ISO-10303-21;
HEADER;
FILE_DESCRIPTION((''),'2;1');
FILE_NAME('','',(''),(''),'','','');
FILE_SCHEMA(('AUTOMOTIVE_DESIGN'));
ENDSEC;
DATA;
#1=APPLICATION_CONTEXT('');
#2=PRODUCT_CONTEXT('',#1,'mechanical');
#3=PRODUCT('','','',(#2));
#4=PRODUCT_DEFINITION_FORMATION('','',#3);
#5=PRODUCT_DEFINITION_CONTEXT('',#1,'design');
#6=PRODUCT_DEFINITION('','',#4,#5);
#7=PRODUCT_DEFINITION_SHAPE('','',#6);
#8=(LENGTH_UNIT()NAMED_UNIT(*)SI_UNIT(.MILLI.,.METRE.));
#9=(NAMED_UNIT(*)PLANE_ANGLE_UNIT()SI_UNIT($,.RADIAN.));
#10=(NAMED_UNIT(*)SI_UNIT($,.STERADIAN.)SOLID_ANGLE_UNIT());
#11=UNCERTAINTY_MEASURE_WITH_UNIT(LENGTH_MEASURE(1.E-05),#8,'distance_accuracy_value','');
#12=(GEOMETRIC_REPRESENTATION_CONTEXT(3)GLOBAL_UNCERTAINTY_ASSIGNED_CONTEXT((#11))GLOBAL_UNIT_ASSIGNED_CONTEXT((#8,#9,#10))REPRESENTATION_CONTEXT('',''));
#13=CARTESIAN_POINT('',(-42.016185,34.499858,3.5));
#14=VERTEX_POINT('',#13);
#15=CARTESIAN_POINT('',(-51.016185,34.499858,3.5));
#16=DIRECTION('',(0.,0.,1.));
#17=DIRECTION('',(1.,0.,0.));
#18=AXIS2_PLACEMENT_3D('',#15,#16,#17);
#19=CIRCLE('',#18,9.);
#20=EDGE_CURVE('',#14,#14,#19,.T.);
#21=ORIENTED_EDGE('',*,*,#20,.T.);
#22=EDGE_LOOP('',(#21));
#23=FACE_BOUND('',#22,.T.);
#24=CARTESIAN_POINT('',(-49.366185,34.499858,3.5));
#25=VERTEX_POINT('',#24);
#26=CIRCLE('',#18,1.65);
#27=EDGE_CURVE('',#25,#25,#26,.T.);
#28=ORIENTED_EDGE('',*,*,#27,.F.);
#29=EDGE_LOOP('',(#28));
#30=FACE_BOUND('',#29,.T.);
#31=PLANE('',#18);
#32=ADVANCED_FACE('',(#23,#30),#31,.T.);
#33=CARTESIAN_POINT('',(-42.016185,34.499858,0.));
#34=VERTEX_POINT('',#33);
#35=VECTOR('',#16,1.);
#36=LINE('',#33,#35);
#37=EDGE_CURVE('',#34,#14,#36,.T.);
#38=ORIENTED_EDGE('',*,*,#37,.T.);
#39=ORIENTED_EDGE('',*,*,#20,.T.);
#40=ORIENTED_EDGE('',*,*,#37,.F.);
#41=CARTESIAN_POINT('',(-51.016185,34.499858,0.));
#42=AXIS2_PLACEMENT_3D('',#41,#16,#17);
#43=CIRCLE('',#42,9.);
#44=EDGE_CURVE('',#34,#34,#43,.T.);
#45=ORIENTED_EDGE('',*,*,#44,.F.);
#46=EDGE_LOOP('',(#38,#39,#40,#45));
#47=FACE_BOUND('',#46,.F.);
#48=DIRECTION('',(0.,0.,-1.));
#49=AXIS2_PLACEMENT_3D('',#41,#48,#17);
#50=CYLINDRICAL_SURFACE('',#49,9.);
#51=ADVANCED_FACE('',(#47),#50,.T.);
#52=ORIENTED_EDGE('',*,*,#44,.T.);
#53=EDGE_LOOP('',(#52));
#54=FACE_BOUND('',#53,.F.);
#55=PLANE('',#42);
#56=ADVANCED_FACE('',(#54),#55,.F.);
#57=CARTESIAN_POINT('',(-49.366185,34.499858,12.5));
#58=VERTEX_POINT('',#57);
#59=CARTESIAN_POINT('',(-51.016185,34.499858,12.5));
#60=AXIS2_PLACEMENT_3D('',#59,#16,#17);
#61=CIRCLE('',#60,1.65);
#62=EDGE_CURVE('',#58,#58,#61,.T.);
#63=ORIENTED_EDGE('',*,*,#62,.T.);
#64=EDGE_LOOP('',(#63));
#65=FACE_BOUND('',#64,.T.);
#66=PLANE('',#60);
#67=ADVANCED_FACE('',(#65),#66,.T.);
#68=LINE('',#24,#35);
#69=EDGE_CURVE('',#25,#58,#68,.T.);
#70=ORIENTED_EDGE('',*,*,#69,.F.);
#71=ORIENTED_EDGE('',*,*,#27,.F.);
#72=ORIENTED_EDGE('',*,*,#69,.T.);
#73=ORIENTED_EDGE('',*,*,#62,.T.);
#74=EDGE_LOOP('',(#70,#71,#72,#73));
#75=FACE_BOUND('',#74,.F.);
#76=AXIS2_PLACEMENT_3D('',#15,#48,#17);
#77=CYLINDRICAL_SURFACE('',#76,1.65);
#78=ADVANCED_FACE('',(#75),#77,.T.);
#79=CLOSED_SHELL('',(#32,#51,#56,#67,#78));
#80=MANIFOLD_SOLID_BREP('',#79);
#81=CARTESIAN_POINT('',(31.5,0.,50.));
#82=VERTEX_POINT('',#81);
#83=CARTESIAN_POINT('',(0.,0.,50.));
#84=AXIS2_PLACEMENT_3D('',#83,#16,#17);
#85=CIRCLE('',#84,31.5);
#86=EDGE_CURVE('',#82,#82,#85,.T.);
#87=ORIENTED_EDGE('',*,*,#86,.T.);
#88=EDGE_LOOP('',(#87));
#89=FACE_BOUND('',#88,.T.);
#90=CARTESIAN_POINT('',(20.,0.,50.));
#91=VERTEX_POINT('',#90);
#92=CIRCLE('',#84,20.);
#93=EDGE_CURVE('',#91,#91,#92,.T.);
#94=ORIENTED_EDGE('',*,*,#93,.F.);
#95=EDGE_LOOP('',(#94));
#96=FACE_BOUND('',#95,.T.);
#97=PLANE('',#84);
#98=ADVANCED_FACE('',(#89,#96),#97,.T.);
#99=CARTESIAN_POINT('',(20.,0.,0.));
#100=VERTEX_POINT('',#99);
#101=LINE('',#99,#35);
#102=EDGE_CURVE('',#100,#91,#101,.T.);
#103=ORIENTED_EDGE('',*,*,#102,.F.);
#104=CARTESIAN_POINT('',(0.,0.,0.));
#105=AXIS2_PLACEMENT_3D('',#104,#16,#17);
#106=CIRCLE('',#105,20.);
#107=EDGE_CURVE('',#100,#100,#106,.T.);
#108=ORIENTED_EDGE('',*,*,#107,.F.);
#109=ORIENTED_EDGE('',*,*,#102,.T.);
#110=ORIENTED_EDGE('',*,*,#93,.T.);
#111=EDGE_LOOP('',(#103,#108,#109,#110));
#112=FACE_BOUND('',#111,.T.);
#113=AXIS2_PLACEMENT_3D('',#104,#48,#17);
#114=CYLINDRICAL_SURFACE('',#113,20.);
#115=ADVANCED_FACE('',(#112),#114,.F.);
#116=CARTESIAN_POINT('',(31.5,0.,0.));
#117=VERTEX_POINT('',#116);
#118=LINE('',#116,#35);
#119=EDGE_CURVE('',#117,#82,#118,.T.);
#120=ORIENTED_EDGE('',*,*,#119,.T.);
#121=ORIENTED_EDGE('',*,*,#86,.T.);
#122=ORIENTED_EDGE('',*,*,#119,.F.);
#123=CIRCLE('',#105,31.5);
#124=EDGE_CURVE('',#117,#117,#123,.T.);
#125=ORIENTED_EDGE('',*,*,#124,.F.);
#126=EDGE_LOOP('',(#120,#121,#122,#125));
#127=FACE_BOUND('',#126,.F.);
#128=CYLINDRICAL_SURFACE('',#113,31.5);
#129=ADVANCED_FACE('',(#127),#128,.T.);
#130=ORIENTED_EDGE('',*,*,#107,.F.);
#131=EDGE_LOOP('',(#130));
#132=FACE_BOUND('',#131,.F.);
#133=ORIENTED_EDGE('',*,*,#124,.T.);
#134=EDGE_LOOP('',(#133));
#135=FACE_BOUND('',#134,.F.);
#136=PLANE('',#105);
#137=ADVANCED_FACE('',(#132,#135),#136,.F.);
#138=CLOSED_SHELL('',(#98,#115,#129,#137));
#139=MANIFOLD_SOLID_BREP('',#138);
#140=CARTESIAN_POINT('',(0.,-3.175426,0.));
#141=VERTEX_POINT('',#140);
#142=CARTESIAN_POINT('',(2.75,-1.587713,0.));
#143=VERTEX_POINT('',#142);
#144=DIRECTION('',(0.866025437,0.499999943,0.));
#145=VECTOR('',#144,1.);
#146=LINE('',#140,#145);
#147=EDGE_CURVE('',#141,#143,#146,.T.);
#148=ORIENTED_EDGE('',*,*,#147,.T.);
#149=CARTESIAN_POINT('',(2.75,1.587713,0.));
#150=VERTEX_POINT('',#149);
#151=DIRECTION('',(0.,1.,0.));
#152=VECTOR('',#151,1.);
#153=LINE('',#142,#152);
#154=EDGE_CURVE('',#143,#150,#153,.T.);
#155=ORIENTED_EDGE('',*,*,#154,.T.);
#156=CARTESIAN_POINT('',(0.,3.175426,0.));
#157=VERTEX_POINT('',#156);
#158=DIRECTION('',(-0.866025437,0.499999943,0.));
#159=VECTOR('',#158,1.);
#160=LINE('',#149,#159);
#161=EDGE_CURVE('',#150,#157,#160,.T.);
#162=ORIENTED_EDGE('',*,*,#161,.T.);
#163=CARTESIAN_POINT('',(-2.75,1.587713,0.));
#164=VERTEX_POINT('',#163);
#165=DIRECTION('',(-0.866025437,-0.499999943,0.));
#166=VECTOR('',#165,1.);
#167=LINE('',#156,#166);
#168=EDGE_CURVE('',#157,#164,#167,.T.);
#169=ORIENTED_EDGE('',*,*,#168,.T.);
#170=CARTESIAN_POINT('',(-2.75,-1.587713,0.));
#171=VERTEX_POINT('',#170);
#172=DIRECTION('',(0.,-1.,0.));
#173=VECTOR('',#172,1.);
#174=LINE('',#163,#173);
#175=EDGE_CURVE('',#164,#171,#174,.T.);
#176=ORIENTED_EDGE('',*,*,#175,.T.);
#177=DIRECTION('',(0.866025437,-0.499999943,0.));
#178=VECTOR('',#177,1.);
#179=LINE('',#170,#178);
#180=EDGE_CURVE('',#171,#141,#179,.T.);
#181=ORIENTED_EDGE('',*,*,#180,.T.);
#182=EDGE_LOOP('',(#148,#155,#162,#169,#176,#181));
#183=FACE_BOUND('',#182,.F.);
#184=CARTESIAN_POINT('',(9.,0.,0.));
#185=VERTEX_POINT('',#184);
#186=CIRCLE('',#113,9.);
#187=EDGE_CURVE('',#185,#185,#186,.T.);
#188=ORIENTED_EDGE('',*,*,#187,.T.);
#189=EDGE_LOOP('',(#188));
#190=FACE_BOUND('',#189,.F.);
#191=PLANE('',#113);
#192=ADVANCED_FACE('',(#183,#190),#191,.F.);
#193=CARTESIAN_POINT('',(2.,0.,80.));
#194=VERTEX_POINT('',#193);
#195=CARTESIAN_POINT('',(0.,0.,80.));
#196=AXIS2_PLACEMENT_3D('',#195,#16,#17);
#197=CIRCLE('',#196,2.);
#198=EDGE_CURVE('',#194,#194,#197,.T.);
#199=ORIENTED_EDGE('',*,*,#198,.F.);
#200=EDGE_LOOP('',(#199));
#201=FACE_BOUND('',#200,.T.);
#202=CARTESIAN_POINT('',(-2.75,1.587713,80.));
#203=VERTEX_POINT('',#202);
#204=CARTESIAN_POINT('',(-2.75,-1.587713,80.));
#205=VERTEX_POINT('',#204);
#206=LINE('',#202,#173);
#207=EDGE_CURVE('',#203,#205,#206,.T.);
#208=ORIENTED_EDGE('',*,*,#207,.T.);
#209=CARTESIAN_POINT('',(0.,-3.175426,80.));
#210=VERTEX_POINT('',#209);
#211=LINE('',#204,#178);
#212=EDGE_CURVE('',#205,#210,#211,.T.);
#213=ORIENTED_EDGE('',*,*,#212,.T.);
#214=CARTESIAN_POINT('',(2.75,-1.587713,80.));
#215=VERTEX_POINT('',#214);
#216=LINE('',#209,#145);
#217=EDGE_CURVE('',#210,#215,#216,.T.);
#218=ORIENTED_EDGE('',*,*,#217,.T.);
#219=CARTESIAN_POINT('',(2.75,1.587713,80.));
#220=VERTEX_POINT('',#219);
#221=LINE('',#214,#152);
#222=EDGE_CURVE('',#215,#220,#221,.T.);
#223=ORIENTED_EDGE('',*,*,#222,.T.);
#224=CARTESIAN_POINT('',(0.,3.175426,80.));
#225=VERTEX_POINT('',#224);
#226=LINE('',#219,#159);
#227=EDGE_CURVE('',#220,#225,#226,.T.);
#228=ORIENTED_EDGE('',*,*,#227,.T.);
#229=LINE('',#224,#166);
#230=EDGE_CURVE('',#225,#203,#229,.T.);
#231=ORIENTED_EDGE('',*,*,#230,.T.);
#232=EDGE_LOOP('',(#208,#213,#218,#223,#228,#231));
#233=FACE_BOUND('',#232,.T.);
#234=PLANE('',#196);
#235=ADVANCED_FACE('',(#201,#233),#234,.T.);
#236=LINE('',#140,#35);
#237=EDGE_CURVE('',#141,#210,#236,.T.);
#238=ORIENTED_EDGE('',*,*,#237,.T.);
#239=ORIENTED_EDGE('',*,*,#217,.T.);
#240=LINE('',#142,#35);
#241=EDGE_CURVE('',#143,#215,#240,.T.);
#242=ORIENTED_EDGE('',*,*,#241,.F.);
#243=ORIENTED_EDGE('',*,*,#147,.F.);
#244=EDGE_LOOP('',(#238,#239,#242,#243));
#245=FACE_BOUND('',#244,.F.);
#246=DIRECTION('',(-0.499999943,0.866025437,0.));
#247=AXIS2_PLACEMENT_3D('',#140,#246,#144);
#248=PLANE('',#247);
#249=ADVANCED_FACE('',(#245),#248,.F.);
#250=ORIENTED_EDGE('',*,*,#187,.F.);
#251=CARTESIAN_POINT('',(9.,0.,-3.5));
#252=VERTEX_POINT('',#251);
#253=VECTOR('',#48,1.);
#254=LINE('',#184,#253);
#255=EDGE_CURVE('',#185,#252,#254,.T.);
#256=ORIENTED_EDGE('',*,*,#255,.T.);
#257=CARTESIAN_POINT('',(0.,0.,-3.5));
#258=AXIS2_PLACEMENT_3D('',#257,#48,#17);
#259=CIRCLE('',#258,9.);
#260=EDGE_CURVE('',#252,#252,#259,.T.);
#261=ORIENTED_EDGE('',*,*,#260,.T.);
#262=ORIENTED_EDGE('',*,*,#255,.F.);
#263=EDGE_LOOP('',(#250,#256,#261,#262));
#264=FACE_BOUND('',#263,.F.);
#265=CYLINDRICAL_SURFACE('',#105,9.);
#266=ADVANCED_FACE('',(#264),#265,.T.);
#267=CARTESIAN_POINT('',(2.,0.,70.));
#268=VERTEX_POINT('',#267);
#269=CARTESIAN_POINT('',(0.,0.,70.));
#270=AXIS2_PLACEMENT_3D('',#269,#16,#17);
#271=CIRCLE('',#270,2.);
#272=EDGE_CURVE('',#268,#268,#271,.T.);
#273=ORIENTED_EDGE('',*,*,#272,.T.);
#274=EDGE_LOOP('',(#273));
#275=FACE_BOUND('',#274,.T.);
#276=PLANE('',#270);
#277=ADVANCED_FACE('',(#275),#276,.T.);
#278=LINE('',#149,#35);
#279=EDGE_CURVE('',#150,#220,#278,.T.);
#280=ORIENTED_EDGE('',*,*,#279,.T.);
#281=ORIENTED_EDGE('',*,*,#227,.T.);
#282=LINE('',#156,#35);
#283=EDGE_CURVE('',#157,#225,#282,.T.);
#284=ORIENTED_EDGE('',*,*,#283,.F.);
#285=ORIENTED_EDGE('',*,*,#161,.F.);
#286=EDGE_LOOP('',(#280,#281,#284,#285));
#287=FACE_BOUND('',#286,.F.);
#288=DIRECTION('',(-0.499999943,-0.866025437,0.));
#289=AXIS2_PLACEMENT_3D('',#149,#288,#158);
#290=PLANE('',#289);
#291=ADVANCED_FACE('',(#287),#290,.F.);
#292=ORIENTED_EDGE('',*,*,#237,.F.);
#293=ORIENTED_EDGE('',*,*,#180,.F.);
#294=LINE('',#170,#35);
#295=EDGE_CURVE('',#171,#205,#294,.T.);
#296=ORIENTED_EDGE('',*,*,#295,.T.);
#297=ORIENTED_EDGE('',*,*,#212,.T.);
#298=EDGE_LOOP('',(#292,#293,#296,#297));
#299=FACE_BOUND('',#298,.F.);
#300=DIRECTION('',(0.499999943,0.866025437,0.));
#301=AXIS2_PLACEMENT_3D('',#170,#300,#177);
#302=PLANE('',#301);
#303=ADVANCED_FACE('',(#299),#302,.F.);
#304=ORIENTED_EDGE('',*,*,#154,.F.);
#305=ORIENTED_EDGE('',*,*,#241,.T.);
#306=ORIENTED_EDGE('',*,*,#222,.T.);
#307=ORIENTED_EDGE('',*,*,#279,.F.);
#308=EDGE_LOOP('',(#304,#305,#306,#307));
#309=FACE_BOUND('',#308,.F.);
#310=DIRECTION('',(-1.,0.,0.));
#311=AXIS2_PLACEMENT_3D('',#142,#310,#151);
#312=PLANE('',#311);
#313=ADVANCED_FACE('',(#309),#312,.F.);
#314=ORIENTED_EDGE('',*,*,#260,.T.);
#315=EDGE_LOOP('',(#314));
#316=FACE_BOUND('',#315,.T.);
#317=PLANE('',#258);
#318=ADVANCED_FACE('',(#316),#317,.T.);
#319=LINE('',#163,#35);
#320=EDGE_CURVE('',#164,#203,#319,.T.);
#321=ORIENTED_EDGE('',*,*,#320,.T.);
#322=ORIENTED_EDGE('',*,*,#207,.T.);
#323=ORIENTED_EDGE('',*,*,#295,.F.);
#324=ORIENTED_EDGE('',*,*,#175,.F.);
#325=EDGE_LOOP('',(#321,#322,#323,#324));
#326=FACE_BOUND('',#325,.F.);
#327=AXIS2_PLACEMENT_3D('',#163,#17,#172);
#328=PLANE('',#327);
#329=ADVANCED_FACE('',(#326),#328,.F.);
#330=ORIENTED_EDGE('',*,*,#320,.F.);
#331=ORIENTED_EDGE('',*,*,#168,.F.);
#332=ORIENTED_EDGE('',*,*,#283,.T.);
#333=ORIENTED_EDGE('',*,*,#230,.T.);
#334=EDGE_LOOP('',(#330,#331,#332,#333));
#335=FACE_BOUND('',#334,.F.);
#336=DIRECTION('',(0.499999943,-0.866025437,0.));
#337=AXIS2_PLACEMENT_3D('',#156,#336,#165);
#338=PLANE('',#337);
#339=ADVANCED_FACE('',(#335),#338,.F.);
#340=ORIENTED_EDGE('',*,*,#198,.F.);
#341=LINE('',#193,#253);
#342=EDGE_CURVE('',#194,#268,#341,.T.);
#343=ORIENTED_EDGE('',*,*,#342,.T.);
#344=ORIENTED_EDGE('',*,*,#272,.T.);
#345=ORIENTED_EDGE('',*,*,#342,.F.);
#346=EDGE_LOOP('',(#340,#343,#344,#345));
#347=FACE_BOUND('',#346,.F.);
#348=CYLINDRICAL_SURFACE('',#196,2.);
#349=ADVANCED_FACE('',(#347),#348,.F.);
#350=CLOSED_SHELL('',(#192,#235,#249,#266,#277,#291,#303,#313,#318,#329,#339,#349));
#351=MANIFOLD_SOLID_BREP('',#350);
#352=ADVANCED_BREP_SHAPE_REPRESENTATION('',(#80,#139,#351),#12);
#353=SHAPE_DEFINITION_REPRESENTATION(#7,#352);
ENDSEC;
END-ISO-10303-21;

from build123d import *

# Parameters (mm, degrees)
F0_R      = 31.5
F0_R_2    = 20
F1_DEPTH  = 50
F3_DEPTH  = 80
F4_R      = 9
F5_DEPTH  = 3.5
F6_R      = 2
F7_DEPTH  = 10
F8_R      = 9
F9_DEPTH  = 3.5
F10_R     = 1.65
F11_DEPTH = 9


with BuildPart() as f1:
    # F0 (on Top) → F1 (new body)
    with BuildSketch(Plane.XY):
        Circle(F0_R)
        Circle(F0_R_2, mode=Mode.SUBTRACT)
    extrude(amount=F1_DEPTH)


with BuildPart() as f3:
    # F2 (on Top) → F3 (new body)
    with BuildSketch(Plane.XY):
        Polygon((2.75, -1.587713), (2.75, 1.587713), (0, 3.175426), (-2.75, 1.587713), (-2.75, -1.587713), (0, -3.175426), align=None)
    extrude(amount=F3_DEPTH)

    # F4 (on face) → F5 (join)
    with BuildSketch(Plane(origin=(0, 0, 0), x_dir=(1, 0, 0), z_dir=(0, 0, -1))):
        Circle(F4_R)
    extrude(amount=F5_DEPTH)

    # F6 (on face) → F7 (cut)
    with BuildSketch(Plane.XY.offset(80)):
        Circle(F6_R)
    extrude(amount=-F7_DEPTH, mode=Mode.SUBTRACT)


with BuildPart() as f9:
    # F8 (on Top) → F9 (new body)
    with BuildSketch(Plane.XY):
        with Locations((-51.016185, 34.499858)):
            Circle(F8_R)
    extrude(amount=F9_DEPTH)

    # F10 (on face) → F11 (join)
    with BuildSketch(Plane.XY.offset(3.5)):
        with Locations((-51.016185, 34.499858)):
            Circle(F10_R)
    extrude(amount=F11_DEPTH)


solid = Compound([f1.part, f3.part, f9.part])
